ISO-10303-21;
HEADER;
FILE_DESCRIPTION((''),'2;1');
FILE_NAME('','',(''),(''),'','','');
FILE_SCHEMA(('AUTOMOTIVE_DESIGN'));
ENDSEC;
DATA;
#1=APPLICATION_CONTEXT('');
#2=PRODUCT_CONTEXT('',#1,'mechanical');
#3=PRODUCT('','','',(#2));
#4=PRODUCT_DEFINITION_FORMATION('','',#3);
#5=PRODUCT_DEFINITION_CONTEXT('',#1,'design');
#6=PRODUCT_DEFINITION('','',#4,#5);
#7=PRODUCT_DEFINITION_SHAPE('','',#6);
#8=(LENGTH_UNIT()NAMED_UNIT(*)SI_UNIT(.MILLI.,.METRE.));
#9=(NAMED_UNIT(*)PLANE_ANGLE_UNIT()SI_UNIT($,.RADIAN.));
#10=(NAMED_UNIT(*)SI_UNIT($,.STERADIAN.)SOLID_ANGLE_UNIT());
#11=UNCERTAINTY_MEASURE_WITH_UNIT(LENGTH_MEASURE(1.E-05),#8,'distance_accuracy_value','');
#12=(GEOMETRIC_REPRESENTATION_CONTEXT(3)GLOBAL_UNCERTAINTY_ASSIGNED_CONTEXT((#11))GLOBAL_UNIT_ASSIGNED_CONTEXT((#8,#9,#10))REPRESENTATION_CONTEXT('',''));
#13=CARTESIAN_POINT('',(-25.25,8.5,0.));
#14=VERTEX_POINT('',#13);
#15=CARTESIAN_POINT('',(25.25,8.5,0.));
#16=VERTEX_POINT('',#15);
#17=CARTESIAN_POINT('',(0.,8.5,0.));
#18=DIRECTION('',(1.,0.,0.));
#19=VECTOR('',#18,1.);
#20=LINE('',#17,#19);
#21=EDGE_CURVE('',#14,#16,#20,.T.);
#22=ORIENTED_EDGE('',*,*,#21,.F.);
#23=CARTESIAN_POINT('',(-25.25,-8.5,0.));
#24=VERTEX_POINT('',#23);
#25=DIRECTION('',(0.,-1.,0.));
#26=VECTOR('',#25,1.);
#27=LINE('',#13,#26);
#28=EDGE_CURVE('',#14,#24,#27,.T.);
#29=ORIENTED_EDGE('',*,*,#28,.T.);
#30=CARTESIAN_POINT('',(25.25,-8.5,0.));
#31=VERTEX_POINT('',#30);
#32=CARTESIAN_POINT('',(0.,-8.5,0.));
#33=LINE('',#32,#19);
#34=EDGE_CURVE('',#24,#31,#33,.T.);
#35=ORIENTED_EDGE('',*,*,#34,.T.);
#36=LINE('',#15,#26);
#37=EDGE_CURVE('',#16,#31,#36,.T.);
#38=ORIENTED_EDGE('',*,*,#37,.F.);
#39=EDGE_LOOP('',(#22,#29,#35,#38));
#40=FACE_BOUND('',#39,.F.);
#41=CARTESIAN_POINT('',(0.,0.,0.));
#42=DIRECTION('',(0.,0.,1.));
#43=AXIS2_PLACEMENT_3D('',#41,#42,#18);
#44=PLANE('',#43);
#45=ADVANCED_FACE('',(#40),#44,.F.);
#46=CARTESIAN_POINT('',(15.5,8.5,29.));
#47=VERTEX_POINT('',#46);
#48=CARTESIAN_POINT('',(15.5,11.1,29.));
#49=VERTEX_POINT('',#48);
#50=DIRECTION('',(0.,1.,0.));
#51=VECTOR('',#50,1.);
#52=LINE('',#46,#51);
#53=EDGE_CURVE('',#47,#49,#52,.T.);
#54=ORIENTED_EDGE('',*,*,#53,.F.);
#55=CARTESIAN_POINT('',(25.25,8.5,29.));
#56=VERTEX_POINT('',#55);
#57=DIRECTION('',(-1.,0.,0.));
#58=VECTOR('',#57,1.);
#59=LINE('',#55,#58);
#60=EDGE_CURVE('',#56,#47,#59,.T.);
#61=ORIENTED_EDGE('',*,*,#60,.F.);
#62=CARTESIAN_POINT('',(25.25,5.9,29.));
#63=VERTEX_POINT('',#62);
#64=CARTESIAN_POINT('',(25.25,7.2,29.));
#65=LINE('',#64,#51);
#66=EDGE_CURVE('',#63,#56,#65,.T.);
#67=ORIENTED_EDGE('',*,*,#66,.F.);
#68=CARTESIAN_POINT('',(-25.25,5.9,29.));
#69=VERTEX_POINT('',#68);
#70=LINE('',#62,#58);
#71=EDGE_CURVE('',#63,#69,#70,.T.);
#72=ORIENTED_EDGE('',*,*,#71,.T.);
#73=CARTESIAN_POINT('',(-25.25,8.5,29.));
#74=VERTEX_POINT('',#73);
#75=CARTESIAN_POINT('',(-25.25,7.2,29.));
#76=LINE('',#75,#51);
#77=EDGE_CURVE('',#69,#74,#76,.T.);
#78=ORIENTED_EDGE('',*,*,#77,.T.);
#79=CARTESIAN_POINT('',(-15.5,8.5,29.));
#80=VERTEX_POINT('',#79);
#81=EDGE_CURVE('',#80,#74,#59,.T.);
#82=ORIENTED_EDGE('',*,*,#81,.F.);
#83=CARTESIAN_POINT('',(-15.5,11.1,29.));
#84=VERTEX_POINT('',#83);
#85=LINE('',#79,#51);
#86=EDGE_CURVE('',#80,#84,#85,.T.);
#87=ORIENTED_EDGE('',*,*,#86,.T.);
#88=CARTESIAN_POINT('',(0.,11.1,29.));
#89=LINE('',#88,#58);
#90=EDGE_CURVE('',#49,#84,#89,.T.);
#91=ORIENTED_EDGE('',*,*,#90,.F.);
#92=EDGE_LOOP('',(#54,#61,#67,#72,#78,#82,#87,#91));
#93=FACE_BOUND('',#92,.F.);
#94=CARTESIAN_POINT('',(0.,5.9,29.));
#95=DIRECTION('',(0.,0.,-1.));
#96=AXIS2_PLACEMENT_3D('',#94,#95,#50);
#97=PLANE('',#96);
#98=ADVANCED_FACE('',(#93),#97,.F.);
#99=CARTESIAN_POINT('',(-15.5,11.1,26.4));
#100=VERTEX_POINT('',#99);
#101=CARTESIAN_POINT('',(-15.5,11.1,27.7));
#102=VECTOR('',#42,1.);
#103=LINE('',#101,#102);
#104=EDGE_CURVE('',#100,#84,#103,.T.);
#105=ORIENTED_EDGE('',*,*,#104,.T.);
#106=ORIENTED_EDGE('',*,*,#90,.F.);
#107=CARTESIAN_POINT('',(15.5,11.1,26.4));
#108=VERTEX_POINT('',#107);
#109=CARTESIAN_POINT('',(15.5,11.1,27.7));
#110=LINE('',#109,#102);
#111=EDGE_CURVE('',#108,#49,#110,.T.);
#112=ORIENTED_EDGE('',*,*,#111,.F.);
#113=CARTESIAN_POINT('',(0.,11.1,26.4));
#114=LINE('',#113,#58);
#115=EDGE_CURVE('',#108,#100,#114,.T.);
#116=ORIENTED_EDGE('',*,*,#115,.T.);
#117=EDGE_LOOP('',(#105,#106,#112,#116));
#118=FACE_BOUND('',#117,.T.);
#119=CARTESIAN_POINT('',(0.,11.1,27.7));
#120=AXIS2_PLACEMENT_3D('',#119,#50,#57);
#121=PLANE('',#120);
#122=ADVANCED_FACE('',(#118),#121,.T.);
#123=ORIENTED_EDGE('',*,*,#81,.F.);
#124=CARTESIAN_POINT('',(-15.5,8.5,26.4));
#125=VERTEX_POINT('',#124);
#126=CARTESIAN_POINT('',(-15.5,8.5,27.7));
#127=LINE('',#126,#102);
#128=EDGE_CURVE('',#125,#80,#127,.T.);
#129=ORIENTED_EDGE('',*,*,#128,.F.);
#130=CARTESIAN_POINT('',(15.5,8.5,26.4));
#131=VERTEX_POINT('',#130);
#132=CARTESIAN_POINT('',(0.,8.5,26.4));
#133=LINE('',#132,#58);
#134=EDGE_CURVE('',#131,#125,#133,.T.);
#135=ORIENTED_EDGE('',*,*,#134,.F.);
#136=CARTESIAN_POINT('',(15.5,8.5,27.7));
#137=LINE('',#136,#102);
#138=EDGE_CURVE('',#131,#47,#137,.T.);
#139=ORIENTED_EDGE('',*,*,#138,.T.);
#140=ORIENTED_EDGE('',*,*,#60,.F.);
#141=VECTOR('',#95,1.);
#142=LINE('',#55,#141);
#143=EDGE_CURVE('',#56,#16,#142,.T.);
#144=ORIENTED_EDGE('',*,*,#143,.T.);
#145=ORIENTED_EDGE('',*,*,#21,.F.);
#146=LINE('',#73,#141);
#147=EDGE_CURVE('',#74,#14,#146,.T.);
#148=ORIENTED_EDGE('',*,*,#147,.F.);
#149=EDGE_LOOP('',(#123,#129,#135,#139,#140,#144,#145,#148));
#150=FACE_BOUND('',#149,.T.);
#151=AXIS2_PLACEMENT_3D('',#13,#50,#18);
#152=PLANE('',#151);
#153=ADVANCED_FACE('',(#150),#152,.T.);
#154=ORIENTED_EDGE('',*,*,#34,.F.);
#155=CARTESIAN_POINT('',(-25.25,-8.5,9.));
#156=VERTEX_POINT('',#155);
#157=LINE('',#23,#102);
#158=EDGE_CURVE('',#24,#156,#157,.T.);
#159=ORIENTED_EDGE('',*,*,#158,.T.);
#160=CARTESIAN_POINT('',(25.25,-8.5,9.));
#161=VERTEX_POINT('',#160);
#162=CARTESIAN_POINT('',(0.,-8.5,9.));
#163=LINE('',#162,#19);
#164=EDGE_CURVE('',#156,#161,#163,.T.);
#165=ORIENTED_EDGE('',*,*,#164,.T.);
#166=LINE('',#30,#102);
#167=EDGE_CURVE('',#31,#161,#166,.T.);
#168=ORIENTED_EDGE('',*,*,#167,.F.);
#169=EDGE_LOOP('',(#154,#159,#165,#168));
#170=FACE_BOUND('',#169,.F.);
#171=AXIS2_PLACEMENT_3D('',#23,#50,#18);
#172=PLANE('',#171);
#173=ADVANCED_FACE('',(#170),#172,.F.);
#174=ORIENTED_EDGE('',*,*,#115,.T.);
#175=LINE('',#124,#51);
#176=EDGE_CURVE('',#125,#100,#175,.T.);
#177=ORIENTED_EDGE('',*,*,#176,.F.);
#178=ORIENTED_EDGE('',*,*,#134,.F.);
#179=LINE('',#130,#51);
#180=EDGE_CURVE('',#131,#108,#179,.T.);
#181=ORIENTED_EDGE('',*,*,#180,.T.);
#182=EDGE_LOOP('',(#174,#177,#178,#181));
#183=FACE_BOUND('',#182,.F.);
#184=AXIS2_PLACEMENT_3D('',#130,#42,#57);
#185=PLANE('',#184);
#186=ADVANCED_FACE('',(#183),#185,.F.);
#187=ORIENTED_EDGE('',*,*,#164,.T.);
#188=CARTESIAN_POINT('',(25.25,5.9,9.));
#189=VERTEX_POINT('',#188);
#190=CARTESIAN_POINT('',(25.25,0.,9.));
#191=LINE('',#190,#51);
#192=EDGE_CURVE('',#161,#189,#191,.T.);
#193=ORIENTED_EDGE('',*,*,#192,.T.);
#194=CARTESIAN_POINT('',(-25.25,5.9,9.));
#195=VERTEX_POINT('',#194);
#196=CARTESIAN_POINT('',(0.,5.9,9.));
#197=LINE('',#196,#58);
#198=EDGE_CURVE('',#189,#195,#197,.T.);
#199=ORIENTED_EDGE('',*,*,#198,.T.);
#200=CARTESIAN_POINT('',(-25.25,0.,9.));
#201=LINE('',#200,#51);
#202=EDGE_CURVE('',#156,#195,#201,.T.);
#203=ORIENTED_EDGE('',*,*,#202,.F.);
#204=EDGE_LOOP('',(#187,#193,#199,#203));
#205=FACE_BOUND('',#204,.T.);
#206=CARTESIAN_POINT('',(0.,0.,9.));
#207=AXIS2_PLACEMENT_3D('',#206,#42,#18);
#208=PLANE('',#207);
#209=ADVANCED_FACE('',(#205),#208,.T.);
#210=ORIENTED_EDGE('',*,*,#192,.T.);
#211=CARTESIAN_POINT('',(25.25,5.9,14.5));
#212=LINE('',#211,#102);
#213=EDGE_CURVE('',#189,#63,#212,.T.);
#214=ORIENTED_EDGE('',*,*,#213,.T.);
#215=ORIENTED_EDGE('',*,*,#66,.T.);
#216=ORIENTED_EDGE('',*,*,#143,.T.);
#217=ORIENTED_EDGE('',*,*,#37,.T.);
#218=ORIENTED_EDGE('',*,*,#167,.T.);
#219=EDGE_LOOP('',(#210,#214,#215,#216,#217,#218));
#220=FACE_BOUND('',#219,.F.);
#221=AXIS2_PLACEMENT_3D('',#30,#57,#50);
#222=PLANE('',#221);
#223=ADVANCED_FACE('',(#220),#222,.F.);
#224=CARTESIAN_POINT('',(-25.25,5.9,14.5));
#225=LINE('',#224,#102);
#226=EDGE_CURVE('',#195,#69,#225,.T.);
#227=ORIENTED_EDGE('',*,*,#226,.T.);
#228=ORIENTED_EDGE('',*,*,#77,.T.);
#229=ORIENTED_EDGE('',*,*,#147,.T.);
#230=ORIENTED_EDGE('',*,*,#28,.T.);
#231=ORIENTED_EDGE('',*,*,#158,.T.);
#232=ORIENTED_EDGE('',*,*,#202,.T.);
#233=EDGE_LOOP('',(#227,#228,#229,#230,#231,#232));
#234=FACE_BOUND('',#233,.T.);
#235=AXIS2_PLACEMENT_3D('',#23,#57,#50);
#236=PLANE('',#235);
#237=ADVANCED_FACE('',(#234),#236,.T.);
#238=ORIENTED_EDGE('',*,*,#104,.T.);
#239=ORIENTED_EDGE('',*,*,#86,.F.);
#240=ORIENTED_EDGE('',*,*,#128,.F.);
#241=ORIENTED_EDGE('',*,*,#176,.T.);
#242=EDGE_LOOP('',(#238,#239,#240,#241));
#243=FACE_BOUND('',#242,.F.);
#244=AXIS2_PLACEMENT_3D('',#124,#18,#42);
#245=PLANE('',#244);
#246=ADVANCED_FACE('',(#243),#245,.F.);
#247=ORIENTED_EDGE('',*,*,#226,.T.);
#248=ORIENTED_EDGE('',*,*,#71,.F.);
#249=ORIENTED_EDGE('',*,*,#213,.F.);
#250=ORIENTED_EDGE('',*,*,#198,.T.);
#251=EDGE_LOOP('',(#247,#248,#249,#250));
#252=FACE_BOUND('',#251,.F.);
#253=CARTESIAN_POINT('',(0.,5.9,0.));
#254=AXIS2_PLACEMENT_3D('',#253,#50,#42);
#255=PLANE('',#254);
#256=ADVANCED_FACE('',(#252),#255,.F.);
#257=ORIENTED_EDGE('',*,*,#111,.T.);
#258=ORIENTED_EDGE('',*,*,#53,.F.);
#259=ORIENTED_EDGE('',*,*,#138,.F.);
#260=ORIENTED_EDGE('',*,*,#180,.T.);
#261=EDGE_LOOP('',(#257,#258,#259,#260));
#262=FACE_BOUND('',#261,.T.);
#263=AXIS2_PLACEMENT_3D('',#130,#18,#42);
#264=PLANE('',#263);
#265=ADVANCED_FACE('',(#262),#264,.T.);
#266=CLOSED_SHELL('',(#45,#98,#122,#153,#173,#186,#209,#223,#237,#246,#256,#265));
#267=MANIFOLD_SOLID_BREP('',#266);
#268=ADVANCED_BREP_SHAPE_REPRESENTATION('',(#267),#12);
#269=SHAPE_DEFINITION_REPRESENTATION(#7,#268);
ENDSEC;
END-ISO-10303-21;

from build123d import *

# Parameters (mm, degrees)
SKETCH_W     = 50.5
SKETCH_H     = 17
PAD_DEPTH    = 9
SKETCH001_W  = 2.6
SKETCH001_H  = 29
PAD001_DEPTH = 25.25
SKETCH002_W  = 31
SKETCH002_H  = 2.6
PAD002_DEPTH = 2.6


with BuildPart() as part:
    # Sketch → Pad (new body)
    with BuildSketch(Plane.XY):
        Rectangle(SKETCH_W, SKETCH_H)
    extrude(amount=PAD_DEPTH)

    # Sketch001 → Pad001 (join, symmetric)
    with BuildSketch(Plane.YZ):
        with Locations((7.2, 14.5)):
            Rectangle(SKETCH001_W, SKETCH001_H)
    extrude(amount=PAD001_DEPTH, both=True)

    # Sketch002 (on Face5 of Pad001) → Pad002 (join)
    with BuildSketch(Plane(origin=(0, 8.5, 0), x_dir=(-1, 0, 0), z_dir=(0, 1, 0))):
        with Locations((0, 27.7)):
            Rectangle(SKETCH002_W, SKETCH002_H)
    extrude(amount=PAD002_DEPTH)


solid = part.part
